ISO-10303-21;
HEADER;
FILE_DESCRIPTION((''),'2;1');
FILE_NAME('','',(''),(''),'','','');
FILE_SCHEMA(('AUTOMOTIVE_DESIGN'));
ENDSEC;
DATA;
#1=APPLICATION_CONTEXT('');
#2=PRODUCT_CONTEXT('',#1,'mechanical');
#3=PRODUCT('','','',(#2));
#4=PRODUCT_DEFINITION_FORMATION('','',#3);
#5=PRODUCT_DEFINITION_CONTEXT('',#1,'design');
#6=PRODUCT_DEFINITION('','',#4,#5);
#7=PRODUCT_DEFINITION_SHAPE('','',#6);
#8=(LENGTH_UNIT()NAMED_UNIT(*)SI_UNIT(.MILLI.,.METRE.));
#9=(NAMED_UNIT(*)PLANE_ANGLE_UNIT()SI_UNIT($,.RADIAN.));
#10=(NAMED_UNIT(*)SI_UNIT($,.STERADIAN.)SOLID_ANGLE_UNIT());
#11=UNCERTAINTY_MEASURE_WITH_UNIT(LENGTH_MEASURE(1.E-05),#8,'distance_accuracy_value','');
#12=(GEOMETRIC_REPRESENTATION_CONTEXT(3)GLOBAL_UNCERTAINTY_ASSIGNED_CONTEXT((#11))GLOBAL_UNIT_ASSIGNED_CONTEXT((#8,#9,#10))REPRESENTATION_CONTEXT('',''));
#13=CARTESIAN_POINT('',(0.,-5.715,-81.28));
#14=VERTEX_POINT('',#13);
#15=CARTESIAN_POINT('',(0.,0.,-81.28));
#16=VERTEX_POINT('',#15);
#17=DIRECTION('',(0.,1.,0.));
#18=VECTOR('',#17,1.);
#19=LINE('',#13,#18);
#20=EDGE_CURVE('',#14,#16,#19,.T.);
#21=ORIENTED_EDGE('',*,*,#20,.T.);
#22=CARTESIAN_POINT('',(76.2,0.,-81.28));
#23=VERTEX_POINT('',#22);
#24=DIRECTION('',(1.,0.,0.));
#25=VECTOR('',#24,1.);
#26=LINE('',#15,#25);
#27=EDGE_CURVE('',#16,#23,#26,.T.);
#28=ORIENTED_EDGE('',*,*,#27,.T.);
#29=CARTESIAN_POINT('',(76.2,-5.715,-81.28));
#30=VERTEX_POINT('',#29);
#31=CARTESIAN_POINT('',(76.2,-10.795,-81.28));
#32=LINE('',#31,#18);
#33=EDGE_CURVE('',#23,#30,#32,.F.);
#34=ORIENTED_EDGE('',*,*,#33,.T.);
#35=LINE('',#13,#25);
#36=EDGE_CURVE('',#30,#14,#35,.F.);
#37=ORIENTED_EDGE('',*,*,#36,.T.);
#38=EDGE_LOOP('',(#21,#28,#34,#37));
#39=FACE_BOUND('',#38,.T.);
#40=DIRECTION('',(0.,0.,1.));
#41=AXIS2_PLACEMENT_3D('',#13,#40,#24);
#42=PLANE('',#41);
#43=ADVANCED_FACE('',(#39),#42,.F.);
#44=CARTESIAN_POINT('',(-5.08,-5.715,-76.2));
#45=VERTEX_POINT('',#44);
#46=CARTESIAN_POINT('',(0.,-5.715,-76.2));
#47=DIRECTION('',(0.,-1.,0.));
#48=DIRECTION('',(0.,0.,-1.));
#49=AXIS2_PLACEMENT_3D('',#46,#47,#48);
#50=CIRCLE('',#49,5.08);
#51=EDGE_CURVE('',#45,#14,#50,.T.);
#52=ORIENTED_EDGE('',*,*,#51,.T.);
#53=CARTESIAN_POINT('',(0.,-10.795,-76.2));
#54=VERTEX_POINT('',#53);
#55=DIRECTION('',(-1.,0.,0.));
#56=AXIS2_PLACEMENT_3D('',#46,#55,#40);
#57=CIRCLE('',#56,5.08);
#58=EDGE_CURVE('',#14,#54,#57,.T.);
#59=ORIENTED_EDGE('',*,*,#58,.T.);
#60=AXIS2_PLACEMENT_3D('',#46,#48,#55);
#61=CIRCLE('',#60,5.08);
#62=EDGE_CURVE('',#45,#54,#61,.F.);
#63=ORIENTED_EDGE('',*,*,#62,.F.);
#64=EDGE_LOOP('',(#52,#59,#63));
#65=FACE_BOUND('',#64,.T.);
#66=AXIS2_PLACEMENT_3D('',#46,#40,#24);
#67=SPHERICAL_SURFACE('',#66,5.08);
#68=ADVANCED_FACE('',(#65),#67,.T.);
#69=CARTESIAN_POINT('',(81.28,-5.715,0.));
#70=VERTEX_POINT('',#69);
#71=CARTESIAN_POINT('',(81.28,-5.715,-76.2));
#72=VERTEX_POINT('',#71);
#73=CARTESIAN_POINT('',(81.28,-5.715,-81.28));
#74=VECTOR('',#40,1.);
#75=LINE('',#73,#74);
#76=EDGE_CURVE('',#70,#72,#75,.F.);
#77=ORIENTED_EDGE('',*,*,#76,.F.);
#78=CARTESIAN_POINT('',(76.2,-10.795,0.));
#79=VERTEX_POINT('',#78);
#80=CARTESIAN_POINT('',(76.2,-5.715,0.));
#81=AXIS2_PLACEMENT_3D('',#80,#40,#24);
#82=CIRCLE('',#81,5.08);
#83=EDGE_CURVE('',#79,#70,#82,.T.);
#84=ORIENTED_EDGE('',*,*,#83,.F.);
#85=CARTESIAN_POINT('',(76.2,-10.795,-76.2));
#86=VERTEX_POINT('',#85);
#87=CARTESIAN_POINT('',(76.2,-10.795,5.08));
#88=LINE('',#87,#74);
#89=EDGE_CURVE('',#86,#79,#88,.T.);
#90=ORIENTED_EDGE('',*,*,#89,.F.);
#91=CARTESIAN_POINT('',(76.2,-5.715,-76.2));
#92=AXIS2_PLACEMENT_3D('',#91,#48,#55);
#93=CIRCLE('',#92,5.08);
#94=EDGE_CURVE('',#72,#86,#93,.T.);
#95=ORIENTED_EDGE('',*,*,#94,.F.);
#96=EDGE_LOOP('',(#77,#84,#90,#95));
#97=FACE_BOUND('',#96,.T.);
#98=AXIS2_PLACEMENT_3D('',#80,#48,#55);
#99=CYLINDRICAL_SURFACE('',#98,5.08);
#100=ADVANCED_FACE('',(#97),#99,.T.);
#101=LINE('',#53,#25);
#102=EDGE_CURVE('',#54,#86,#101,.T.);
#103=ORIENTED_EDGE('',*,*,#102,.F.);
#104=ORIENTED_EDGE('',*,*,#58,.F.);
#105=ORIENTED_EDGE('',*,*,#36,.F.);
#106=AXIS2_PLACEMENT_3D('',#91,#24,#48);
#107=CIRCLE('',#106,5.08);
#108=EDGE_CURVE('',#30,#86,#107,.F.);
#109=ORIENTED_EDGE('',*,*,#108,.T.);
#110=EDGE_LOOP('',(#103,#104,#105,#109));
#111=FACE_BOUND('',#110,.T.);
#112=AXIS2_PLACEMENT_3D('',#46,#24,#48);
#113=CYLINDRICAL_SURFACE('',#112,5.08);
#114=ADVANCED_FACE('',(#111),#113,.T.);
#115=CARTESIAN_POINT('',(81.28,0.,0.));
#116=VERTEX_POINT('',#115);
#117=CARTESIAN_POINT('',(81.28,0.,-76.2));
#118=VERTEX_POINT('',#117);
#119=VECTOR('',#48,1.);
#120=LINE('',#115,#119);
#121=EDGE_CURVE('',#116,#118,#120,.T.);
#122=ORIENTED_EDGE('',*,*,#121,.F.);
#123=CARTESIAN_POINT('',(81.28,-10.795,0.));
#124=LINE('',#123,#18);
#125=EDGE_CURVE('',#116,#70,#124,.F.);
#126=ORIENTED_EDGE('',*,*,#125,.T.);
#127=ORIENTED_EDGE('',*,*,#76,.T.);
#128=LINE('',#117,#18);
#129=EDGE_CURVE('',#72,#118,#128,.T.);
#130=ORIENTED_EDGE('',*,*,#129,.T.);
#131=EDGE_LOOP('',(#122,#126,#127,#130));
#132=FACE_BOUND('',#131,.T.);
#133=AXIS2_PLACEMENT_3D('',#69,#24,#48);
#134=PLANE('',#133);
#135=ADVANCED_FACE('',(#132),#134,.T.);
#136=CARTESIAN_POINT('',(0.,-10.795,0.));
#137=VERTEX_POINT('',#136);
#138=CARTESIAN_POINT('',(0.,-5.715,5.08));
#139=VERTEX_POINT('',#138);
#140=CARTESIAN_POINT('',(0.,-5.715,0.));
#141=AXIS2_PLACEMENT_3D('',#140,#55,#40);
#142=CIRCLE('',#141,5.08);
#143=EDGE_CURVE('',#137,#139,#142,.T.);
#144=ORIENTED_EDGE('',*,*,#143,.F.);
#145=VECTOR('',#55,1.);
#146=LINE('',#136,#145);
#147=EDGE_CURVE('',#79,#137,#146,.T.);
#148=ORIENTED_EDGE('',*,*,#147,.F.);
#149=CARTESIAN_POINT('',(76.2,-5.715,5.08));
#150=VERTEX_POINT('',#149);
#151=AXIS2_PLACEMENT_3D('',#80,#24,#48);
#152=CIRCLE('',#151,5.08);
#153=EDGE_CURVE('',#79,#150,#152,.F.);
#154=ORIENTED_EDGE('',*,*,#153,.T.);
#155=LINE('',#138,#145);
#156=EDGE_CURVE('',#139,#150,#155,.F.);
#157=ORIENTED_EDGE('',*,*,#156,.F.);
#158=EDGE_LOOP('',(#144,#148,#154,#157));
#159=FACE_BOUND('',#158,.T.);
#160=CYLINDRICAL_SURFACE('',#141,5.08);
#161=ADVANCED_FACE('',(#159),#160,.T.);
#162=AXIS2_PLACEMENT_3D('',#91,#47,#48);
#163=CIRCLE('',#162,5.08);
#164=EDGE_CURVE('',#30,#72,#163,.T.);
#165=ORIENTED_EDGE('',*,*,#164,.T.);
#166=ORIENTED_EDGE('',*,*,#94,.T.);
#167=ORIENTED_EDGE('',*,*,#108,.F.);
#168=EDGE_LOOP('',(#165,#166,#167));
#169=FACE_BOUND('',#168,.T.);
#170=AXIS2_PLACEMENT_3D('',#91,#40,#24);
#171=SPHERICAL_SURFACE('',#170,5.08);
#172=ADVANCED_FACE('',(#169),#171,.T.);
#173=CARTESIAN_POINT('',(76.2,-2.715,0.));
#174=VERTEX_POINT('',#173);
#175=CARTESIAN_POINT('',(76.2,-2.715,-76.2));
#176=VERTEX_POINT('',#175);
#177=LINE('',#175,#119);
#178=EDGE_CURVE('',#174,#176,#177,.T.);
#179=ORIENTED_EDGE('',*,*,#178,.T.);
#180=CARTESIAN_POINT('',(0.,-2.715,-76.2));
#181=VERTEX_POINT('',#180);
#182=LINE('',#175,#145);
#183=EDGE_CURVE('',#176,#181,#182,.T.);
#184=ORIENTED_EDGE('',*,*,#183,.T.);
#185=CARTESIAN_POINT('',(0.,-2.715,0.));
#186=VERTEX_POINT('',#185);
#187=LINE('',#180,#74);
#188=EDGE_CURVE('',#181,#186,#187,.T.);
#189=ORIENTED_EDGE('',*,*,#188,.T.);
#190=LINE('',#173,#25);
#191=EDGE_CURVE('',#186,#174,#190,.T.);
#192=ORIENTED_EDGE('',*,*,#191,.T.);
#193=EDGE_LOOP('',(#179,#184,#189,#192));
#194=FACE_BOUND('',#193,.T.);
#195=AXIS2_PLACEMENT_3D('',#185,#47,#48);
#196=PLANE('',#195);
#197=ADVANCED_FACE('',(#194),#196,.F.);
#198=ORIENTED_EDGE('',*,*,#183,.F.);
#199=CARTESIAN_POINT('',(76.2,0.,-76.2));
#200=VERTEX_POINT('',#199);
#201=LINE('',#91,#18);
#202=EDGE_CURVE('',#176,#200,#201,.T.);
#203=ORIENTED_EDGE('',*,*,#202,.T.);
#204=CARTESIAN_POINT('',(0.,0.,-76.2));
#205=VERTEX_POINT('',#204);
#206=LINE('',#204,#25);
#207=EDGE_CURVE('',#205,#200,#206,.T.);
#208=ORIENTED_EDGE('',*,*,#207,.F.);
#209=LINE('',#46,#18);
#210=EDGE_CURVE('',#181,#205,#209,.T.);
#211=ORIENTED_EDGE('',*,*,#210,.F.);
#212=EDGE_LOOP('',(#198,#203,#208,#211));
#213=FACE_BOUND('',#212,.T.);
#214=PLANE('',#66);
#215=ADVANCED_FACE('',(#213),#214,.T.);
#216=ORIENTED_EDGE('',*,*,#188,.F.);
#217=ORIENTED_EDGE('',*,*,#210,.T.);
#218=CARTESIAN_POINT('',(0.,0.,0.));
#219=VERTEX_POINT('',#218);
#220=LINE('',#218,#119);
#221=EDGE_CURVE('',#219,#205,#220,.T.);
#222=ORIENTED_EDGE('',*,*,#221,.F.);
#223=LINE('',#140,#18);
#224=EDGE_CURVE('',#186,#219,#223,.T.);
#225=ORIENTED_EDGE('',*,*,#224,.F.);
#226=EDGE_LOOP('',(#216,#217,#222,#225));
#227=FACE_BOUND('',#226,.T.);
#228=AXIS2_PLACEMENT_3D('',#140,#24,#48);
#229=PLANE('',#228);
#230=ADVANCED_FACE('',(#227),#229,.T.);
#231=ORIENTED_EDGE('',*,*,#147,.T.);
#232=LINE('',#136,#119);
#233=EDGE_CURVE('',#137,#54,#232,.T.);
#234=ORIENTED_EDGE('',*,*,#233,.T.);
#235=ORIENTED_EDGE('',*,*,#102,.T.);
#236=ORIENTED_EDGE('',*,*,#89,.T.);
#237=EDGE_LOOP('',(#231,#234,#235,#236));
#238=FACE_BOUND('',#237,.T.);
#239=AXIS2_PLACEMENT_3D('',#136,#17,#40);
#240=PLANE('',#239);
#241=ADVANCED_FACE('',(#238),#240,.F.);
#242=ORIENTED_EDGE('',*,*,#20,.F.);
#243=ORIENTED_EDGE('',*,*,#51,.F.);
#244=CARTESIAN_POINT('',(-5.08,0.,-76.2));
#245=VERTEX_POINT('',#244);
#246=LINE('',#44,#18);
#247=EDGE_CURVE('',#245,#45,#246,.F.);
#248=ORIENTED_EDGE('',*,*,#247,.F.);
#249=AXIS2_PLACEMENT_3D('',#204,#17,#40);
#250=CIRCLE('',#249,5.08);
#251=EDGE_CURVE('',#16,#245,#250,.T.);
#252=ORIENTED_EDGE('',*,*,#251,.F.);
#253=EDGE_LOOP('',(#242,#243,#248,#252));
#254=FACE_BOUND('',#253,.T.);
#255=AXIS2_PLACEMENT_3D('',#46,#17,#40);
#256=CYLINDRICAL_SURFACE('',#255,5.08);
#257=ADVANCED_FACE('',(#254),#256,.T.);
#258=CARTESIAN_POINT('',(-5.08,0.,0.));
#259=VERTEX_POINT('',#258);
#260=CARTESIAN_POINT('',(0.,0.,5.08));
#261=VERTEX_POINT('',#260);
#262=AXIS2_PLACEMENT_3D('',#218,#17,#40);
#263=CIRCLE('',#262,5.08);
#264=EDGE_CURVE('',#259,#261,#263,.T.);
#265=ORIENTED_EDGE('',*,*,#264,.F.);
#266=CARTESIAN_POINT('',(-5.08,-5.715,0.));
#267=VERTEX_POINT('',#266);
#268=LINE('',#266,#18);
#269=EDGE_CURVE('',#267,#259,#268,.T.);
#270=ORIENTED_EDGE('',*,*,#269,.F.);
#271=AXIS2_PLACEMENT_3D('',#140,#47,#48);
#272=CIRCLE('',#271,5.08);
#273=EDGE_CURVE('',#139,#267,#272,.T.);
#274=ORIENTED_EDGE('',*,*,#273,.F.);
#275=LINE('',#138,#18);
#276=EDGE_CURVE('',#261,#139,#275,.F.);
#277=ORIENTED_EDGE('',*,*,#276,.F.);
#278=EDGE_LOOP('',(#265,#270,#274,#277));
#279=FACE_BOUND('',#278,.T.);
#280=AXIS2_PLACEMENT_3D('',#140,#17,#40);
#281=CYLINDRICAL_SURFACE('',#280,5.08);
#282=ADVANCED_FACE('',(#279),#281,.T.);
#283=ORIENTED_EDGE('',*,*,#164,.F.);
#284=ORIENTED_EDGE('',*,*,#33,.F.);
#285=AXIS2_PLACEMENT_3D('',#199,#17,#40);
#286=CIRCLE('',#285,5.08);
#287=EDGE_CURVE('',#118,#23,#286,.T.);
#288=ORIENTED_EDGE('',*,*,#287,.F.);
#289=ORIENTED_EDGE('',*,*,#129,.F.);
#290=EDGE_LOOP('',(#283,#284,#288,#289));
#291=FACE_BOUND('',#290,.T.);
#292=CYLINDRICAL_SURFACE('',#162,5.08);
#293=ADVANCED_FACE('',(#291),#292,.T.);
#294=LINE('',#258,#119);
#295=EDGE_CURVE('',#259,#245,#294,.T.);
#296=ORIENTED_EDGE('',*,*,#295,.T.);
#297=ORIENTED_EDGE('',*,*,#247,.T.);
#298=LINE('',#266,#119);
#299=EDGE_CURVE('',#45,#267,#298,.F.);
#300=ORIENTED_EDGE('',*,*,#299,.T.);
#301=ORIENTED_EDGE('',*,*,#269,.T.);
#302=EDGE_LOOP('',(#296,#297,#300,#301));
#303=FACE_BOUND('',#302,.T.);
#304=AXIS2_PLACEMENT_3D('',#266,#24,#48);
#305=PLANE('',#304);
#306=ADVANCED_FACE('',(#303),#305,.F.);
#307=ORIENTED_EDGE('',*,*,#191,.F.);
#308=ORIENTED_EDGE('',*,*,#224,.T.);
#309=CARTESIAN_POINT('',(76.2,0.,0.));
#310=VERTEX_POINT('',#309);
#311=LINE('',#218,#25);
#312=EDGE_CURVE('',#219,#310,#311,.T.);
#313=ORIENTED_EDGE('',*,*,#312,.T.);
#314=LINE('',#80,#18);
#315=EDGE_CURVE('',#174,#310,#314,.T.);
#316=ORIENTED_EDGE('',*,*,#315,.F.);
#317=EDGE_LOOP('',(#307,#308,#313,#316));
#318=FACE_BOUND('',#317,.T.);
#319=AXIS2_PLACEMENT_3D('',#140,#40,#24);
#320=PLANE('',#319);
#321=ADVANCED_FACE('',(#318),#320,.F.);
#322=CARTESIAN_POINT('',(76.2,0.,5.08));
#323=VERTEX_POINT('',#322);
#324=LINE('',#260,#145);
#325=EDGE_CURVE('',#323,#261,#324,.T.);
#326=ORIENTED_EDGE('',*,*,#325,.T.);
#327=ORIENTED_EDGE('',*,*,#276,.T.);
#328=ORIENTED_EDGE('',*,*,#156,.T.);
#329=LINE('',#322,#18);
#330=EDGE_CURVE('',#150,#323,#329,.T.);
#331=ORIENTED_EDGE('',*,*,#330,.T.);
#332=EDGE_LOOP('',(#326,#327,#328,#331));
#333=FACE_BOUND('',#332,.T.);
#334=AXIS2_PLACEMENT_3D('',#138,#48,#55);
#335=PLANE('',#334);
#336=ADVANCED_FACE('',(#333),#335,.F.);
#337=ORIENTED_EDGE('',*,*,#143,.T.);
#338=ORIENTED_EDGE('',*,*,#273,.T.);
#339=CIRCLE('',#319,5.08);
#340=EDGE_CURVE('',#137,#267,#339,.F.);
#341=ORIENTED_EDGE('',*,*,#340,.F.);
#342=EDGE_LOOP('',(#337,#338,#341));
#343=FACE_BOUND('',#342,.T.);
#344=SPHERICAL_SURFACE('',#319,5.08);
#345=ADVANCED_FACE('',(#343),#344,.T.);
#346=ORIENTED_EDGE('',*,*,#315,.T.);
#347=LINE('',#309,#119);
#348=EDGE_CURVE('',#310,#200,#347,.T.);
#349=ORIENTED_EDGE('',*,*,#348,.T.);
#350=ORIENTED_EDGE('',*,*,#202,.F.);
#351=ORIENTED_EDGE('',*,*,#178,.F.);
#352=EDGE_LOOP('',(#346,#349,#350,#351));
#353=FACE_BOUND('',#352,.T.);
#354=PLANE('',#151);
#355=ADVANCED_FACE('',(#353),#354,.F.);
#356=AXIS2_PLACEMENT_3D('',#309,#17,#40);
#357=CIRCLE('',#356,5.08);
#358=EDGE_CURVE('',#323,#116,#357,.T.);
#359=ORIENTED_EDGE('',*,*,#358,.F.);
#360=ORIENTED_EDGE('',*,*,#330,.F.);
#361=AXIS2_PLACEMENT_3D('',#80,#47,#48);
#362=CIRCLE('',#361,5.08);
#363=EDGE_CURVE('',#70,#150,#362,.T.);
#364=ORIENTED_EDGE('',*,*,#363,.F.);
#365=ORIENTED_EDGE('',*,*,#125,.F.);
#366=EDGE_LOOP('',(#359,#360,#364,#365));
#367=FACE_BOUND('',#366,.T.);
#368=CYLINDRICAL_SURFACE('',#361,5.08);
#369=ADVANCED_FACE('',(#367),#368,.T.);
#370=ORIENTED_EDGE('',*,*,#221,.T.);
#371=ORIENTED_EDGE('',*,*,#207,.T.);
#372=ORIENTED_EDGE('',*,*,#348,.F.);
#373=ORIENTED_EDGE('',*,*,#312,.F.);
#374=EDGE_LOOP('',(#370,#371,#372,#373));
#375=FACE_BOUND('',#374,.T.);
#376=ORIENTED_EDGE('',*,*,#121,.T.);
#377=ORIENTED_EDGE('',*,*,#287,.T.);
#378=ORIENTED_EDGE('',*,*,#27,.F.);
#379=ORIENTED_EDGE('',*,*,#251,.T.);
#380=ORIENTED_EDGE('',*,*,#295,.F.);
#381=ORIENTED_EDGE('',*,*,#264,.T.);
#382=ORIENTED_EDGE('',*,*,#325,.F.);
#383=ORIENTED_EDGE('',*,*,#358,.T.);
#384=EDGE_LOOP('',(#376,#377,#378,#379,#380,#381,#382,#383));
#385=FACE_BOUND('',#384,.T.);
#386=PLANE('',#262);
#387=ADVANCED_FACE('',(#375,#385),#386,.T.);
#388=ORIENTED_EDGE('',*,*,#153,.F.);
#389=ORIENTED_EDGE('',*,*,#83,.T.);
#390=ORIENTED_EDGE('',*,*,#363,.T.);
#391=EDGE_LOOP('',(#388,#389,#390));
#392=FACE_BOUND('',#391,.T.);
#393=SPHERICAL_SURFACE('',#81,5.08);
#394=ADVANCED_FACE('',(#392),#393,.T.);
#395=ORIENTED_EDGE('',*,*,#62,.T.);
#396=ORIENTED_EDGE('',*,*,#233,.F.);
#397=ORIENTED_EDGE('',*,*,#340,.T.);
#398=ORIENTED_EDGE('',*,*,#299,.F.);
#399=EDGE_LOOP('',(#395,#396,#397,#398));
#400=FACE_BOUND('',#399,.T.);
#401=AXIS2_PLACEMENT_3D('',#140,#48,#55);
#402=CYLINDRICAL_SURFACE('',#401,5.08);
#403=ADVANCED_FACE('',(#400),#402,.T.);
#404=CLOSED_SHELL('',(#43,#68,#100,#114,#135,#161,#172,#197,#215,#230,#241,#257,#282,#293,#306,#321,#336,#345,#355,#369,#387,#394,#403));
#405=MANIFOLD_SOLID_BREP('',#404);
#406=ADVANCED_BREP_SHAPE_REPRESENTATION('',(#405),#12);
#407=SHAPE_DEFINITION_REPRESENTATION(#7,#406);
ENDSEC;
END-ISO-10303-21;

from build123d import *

# Parameters (mm, degrees)
SKETCH1_W           = 5.08
SKETCH1_H           = 5.08
BOSS_EXTRUDE1_DEPTH = 5.715
SKETCH2_W           = 86.36
SKETCH2_H           = 86.36
BOSS_EXTRUDE2_DEPTH = 5.08
FILLET1_R           = 5.08
SKETCH3_W           = 76.2
SKETCH3_H           = 76.2
BOSS_EXTRUDE3_DEPTH = 3


with BuildPart() as part:
    # Sketch1 → Boss-Extrude1 (new body)
    with BuildSketch(Plane(origin=(0, 0, 0), x_dir=(1, 0, 0), z_dir=(0, 1, 0))):
        Polygon((-5.08, 0), (0, 0), (0, 76.2), (76.2, 76.2), (76.2, 81.28), (-5.08, 81.28), align=None)
        Polygon((76.2, 0), (0, 0), (0, -5.08), (81.28, -5.08), (81.28, 76.2), (76.2, 76.2), align=None)
        with Locations((-2.54, -2.54)):
            Rectangle(SKETCH1_W, SKETCH1_H)
        with Locations((78.74, 78.74)):
            Rectangle(SKETCH1_W, SKETCH1_H)
    extrude(amount=-BOSS_EXTRUDE1_DEPTH)

    # Sketch2 → Boss-Extrude2 (add)
    with BuildSketch(Plane(origin=(0, -5.715, 0), x_dir=(-1, 0, 0), z_dir=(0, -1, 0))):
        with Locations((-38.1, 38.1)):
            Rectangle(SKETCH2_W, SKETCH2_H)
    extrude(amount=BOSS_EXTRUDE2_DEPTH)

    # Fillet1
    fillet1_edges = [part.edges().sort_by_distance(p)[0] for p in [
        (-5.08, -5.3975, 5.08),
        (-5.08, -5.3975, -81.28),
        (81.28, -5.3975, -81.28),
        (81.28, -5.3975, 5.08),
        (-5.08, -10.795, -38.1),
        (38.1, -10.795, -81.28),
        (81.28, -10.795, -38.1),
        (38.1, -10.795, 5.08),
    ]]
    fillet(fillet1_edges, radius=FILLET1_R)

    # Sketch3 → Boss-Extrude3 (add)
    with BuildSketch(Plane(origin=(0, -5.715, 0), x_dir=(1, 0, 0), z_dir=(0, 1, 0))):
        with Locations((38.1, 38.1)):
            Rectangle(SKETCH3_W, SKETCH3_H)
    extrude(amount=BOSS_EXTRUDE3_DEPTH)


solid = part.part
